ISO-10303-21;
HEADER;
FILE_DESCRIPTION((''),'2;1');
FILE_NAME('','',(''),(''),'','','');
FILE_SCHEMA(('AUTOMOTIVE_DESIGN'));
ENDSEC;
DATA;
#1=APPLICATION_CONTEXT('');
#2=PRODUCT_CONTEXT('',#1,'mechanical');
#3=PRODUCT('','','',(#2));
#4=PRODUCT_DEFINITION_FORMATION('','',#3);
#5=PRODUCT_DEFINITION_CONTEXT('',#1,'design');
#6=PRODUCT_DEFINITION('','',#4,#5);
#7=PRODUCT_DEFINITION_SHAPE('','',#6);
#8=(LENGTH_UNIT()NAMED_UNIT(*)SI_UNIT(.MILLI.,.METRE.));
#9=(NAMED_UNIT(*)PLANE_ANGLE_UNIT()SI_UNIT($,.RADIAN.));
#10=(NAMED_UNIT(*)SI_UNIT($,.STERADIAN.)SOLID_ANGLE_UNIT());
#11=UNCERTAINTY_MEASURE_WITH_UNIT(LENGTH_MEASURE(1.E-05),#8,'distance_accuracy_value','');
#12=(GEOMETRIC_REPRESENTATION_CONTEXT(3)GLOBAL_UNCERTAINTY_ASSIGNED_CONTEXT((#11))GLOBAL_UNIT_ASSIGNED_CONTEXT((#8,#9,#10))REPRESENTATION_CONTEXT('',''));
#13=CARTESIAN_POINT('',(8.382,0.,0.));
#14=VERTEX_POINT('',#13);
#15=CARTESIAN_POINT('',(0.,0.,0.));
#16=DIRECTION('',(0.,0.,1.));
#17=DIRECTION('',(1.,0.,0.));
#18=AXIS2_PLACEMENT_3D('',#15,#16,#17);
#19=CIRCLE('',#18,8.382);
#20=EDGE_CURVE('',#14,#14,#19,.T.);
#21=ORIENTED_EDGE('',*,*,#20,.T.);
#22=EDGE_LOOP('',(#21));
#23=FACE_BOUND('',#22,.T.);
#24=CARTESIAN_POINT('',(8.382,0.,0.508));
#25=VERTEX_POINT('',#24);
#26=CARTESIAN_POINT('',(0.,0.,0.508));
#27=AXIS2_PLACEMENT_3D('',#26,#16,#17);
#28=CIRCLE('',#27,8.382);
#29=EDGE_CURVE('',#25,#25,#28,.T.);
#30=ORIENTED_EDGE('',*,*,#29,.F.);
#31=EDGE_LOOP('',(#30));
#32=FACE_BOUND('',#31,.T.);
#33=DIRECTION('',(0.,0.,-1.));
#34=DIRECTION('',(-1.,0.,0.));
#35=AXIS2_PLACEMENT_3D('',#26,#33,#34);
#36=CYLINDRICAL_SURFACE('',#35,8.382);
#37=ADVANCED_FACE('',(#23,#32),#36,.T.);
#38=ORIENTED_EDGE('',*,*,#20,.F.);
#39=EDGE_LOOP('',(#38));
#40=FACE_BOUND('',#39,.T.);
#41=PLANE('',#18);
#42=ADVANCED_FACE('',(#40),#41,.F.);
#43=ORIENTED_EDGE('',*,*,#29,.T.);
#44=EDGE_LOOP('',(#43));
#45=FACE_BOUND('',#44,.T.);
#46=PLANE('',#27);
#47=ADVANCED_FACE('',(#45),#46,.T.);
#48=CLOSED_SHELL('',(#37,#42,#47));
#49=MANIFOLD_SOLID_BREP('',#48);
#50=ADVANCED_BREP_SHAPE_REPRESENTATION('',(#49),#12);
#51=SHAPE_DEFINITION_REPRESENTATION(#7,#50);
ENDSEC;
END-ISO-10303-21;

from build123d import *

# Parameters (mm, degrees)
SKETCH1_R           = 8.382
BOSS_EXTRUDE1_DEPTH = 0.508


with BuildPart() as part:
    # Sketch1 → Boss-Extrude1 (new body)
    with BuildSketch(Plane.XY):
        Circle(SKETCH1_R)
    extrude(amount=BOSS_EXTRUDE1_DEPTH)


solid = part.part
